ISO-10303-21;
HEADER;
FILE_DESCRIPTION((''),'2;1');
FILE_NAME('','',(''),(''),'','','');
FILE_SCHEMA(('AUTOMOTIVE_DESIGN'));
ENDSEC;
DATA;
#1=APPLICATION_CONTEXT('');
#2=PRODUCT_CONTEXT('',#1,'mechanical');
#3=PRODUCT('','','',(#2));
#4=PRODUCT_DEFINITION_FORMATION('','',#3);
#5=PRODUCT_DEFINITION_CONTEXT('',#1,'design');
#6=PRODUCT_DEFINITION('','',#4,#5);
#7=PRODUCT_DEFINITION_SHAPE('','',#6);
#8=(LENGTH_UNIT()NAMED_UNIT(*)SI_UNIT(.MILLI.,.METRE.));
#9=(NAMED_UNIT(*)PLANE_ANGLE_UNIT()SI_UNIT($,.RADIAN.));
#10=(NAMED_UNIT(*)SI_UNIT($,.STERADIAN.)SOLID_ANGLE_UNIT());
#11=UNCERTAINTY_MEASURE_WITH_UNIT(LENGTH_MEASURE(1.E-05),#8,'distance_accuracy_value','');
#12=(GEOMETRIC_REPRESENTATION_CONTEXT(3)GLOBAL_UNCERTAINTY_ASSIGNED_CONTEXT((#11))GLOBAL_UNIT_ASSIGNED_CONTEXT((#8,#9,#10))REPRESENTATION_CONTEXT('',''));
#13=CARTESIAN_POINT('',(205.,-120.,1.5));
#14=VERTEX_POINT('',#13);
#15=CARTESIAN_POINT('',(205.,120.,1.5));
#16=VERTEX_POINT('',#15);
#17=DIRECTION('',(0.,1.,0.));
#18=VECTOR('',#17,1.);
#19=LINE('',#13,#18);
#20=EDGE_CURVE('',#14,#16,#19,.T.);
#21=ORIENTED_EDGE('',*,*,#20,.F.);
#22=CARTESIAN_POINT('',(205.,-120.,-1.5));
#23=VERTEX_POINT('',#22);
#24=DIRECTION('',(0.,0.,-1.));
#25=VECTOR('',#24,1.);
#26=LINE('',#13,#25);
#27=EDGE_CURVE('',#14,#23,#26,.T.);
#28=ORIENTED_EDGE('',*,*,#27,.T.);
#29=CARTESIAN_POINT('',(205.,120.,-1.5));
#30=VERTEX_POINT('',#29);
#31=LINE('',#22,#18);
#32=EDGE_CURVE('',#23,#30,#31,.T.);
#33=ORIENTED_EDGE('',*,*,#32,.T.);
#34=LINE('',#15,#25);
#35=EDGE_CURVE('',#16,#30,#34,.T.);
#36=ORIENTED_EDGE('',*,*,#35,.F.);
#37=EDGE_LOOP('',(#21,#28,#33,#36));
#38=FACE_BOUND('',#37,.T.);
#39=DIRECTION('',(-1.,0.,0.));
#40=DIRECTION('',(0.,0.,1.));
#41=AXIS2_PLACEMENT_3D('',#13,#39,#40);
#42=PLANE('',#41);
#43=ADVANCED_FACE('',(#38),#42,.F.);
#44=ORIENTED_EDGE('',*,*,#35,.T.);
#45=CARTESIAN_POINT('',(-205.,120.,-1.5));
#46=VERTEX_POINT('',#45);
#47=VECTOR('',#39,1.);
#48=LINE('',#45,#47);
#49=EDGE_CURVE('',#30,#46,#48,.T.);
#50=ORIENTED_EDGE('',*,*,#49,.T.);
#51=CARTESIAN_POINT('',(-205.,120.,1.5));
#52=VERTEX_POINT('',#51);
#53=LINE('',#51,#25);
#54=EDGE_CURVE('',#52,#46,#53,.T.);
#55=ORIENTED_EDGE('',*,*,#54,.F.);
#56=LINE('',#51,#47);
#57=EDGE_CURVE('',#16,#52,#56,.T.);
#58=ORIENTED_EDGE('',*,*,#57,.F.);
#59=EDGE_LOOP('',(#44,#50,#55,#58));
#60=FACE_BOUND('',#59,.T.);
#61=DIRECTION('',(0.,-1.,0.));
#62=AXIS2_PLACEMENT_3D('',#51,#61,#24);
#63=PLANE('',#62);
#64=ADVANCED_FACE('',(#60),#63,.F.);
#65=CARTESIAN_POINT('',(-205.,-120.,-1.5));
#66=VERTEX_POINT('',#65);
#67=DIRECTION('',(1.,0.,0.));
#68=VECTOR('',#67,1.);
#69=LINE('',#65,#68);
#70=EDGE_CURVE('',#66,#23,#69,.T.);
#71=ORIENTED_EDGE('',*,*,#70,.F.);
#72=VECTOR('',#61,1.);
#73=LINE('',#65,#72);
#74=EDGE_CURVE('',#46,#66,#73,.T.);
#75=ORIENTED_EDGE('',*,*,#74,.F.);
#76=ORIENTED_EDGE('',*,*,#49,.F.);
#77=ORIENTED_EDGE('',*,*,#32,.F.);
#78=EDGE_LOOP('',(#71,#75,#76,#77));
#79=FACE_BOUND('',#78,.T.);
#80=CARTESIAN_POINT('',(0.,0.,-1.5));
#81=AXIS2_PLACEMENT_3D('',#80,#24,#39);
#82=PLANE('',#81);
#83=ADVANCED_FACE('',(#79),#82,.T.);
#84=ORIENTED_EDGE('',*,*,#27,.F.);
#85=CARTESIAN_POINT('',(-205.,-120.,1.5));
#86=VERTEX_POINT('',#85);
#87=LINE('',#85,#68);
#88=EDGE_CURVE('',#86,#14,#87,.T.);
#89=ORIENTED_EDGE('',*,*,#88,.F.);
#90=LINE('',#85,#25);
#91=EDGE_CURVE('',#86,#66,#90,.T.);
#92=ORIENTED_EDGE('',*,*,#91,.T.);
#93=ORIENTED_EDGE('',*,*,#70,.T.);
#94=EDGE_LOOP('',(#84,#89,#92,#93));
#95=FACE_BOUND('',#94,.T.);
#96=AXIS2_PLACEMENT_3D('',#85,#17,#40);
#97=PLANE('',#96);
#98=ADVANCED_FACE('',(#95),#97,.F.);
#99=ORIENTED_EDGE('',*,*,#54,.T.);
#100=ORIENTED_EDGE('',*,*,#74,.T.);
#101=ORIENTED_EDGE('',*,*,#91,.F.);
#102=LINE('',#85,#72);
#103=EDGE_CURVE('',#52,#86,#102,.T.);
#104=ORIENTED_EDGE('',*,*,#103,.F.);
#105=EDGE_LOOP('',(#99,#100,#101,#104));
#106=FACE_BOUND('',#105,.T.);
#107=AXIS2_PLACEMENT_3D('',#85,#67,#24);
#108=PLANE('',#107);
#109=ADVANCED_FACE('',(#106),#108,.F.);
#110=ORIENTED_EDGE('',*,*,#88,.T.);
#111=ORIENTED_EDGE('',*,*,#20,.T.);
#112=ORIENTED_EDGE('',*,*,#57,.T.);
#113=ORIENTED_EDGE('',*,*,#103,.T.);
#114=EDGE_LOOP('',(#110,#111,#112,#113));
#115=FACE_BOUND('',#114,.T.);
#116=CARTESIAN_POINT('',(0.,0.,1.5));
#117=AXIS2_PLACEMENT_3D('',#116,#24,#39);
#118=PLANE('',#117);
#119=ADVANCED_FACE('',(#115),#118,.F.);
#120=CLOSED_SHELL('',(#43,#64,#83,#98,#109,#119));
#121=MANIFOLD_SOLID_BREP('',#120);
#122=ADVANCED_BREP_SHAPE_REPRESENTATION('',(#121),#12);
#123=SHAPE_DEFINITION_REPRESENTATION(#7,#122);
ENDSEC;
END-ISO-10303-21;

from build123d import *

# Parameters (mm, degrees)
SKETCH1_W           = 410
SKETCH1_H           = 240
BOSS_EXTRUDE1_DEPTH = 1.5


with BuildPart() as part:
    # Sketch1 → Boss-Extrude1 (new body, symmetric)
    with BuildSketch(Plane.XY):
        Rectangle(SKETCH1_W, SKETCH1_H)
    extrude(amount=BOSS_EXTRUDE1_DEPTH, both=True)


solid = part.part
